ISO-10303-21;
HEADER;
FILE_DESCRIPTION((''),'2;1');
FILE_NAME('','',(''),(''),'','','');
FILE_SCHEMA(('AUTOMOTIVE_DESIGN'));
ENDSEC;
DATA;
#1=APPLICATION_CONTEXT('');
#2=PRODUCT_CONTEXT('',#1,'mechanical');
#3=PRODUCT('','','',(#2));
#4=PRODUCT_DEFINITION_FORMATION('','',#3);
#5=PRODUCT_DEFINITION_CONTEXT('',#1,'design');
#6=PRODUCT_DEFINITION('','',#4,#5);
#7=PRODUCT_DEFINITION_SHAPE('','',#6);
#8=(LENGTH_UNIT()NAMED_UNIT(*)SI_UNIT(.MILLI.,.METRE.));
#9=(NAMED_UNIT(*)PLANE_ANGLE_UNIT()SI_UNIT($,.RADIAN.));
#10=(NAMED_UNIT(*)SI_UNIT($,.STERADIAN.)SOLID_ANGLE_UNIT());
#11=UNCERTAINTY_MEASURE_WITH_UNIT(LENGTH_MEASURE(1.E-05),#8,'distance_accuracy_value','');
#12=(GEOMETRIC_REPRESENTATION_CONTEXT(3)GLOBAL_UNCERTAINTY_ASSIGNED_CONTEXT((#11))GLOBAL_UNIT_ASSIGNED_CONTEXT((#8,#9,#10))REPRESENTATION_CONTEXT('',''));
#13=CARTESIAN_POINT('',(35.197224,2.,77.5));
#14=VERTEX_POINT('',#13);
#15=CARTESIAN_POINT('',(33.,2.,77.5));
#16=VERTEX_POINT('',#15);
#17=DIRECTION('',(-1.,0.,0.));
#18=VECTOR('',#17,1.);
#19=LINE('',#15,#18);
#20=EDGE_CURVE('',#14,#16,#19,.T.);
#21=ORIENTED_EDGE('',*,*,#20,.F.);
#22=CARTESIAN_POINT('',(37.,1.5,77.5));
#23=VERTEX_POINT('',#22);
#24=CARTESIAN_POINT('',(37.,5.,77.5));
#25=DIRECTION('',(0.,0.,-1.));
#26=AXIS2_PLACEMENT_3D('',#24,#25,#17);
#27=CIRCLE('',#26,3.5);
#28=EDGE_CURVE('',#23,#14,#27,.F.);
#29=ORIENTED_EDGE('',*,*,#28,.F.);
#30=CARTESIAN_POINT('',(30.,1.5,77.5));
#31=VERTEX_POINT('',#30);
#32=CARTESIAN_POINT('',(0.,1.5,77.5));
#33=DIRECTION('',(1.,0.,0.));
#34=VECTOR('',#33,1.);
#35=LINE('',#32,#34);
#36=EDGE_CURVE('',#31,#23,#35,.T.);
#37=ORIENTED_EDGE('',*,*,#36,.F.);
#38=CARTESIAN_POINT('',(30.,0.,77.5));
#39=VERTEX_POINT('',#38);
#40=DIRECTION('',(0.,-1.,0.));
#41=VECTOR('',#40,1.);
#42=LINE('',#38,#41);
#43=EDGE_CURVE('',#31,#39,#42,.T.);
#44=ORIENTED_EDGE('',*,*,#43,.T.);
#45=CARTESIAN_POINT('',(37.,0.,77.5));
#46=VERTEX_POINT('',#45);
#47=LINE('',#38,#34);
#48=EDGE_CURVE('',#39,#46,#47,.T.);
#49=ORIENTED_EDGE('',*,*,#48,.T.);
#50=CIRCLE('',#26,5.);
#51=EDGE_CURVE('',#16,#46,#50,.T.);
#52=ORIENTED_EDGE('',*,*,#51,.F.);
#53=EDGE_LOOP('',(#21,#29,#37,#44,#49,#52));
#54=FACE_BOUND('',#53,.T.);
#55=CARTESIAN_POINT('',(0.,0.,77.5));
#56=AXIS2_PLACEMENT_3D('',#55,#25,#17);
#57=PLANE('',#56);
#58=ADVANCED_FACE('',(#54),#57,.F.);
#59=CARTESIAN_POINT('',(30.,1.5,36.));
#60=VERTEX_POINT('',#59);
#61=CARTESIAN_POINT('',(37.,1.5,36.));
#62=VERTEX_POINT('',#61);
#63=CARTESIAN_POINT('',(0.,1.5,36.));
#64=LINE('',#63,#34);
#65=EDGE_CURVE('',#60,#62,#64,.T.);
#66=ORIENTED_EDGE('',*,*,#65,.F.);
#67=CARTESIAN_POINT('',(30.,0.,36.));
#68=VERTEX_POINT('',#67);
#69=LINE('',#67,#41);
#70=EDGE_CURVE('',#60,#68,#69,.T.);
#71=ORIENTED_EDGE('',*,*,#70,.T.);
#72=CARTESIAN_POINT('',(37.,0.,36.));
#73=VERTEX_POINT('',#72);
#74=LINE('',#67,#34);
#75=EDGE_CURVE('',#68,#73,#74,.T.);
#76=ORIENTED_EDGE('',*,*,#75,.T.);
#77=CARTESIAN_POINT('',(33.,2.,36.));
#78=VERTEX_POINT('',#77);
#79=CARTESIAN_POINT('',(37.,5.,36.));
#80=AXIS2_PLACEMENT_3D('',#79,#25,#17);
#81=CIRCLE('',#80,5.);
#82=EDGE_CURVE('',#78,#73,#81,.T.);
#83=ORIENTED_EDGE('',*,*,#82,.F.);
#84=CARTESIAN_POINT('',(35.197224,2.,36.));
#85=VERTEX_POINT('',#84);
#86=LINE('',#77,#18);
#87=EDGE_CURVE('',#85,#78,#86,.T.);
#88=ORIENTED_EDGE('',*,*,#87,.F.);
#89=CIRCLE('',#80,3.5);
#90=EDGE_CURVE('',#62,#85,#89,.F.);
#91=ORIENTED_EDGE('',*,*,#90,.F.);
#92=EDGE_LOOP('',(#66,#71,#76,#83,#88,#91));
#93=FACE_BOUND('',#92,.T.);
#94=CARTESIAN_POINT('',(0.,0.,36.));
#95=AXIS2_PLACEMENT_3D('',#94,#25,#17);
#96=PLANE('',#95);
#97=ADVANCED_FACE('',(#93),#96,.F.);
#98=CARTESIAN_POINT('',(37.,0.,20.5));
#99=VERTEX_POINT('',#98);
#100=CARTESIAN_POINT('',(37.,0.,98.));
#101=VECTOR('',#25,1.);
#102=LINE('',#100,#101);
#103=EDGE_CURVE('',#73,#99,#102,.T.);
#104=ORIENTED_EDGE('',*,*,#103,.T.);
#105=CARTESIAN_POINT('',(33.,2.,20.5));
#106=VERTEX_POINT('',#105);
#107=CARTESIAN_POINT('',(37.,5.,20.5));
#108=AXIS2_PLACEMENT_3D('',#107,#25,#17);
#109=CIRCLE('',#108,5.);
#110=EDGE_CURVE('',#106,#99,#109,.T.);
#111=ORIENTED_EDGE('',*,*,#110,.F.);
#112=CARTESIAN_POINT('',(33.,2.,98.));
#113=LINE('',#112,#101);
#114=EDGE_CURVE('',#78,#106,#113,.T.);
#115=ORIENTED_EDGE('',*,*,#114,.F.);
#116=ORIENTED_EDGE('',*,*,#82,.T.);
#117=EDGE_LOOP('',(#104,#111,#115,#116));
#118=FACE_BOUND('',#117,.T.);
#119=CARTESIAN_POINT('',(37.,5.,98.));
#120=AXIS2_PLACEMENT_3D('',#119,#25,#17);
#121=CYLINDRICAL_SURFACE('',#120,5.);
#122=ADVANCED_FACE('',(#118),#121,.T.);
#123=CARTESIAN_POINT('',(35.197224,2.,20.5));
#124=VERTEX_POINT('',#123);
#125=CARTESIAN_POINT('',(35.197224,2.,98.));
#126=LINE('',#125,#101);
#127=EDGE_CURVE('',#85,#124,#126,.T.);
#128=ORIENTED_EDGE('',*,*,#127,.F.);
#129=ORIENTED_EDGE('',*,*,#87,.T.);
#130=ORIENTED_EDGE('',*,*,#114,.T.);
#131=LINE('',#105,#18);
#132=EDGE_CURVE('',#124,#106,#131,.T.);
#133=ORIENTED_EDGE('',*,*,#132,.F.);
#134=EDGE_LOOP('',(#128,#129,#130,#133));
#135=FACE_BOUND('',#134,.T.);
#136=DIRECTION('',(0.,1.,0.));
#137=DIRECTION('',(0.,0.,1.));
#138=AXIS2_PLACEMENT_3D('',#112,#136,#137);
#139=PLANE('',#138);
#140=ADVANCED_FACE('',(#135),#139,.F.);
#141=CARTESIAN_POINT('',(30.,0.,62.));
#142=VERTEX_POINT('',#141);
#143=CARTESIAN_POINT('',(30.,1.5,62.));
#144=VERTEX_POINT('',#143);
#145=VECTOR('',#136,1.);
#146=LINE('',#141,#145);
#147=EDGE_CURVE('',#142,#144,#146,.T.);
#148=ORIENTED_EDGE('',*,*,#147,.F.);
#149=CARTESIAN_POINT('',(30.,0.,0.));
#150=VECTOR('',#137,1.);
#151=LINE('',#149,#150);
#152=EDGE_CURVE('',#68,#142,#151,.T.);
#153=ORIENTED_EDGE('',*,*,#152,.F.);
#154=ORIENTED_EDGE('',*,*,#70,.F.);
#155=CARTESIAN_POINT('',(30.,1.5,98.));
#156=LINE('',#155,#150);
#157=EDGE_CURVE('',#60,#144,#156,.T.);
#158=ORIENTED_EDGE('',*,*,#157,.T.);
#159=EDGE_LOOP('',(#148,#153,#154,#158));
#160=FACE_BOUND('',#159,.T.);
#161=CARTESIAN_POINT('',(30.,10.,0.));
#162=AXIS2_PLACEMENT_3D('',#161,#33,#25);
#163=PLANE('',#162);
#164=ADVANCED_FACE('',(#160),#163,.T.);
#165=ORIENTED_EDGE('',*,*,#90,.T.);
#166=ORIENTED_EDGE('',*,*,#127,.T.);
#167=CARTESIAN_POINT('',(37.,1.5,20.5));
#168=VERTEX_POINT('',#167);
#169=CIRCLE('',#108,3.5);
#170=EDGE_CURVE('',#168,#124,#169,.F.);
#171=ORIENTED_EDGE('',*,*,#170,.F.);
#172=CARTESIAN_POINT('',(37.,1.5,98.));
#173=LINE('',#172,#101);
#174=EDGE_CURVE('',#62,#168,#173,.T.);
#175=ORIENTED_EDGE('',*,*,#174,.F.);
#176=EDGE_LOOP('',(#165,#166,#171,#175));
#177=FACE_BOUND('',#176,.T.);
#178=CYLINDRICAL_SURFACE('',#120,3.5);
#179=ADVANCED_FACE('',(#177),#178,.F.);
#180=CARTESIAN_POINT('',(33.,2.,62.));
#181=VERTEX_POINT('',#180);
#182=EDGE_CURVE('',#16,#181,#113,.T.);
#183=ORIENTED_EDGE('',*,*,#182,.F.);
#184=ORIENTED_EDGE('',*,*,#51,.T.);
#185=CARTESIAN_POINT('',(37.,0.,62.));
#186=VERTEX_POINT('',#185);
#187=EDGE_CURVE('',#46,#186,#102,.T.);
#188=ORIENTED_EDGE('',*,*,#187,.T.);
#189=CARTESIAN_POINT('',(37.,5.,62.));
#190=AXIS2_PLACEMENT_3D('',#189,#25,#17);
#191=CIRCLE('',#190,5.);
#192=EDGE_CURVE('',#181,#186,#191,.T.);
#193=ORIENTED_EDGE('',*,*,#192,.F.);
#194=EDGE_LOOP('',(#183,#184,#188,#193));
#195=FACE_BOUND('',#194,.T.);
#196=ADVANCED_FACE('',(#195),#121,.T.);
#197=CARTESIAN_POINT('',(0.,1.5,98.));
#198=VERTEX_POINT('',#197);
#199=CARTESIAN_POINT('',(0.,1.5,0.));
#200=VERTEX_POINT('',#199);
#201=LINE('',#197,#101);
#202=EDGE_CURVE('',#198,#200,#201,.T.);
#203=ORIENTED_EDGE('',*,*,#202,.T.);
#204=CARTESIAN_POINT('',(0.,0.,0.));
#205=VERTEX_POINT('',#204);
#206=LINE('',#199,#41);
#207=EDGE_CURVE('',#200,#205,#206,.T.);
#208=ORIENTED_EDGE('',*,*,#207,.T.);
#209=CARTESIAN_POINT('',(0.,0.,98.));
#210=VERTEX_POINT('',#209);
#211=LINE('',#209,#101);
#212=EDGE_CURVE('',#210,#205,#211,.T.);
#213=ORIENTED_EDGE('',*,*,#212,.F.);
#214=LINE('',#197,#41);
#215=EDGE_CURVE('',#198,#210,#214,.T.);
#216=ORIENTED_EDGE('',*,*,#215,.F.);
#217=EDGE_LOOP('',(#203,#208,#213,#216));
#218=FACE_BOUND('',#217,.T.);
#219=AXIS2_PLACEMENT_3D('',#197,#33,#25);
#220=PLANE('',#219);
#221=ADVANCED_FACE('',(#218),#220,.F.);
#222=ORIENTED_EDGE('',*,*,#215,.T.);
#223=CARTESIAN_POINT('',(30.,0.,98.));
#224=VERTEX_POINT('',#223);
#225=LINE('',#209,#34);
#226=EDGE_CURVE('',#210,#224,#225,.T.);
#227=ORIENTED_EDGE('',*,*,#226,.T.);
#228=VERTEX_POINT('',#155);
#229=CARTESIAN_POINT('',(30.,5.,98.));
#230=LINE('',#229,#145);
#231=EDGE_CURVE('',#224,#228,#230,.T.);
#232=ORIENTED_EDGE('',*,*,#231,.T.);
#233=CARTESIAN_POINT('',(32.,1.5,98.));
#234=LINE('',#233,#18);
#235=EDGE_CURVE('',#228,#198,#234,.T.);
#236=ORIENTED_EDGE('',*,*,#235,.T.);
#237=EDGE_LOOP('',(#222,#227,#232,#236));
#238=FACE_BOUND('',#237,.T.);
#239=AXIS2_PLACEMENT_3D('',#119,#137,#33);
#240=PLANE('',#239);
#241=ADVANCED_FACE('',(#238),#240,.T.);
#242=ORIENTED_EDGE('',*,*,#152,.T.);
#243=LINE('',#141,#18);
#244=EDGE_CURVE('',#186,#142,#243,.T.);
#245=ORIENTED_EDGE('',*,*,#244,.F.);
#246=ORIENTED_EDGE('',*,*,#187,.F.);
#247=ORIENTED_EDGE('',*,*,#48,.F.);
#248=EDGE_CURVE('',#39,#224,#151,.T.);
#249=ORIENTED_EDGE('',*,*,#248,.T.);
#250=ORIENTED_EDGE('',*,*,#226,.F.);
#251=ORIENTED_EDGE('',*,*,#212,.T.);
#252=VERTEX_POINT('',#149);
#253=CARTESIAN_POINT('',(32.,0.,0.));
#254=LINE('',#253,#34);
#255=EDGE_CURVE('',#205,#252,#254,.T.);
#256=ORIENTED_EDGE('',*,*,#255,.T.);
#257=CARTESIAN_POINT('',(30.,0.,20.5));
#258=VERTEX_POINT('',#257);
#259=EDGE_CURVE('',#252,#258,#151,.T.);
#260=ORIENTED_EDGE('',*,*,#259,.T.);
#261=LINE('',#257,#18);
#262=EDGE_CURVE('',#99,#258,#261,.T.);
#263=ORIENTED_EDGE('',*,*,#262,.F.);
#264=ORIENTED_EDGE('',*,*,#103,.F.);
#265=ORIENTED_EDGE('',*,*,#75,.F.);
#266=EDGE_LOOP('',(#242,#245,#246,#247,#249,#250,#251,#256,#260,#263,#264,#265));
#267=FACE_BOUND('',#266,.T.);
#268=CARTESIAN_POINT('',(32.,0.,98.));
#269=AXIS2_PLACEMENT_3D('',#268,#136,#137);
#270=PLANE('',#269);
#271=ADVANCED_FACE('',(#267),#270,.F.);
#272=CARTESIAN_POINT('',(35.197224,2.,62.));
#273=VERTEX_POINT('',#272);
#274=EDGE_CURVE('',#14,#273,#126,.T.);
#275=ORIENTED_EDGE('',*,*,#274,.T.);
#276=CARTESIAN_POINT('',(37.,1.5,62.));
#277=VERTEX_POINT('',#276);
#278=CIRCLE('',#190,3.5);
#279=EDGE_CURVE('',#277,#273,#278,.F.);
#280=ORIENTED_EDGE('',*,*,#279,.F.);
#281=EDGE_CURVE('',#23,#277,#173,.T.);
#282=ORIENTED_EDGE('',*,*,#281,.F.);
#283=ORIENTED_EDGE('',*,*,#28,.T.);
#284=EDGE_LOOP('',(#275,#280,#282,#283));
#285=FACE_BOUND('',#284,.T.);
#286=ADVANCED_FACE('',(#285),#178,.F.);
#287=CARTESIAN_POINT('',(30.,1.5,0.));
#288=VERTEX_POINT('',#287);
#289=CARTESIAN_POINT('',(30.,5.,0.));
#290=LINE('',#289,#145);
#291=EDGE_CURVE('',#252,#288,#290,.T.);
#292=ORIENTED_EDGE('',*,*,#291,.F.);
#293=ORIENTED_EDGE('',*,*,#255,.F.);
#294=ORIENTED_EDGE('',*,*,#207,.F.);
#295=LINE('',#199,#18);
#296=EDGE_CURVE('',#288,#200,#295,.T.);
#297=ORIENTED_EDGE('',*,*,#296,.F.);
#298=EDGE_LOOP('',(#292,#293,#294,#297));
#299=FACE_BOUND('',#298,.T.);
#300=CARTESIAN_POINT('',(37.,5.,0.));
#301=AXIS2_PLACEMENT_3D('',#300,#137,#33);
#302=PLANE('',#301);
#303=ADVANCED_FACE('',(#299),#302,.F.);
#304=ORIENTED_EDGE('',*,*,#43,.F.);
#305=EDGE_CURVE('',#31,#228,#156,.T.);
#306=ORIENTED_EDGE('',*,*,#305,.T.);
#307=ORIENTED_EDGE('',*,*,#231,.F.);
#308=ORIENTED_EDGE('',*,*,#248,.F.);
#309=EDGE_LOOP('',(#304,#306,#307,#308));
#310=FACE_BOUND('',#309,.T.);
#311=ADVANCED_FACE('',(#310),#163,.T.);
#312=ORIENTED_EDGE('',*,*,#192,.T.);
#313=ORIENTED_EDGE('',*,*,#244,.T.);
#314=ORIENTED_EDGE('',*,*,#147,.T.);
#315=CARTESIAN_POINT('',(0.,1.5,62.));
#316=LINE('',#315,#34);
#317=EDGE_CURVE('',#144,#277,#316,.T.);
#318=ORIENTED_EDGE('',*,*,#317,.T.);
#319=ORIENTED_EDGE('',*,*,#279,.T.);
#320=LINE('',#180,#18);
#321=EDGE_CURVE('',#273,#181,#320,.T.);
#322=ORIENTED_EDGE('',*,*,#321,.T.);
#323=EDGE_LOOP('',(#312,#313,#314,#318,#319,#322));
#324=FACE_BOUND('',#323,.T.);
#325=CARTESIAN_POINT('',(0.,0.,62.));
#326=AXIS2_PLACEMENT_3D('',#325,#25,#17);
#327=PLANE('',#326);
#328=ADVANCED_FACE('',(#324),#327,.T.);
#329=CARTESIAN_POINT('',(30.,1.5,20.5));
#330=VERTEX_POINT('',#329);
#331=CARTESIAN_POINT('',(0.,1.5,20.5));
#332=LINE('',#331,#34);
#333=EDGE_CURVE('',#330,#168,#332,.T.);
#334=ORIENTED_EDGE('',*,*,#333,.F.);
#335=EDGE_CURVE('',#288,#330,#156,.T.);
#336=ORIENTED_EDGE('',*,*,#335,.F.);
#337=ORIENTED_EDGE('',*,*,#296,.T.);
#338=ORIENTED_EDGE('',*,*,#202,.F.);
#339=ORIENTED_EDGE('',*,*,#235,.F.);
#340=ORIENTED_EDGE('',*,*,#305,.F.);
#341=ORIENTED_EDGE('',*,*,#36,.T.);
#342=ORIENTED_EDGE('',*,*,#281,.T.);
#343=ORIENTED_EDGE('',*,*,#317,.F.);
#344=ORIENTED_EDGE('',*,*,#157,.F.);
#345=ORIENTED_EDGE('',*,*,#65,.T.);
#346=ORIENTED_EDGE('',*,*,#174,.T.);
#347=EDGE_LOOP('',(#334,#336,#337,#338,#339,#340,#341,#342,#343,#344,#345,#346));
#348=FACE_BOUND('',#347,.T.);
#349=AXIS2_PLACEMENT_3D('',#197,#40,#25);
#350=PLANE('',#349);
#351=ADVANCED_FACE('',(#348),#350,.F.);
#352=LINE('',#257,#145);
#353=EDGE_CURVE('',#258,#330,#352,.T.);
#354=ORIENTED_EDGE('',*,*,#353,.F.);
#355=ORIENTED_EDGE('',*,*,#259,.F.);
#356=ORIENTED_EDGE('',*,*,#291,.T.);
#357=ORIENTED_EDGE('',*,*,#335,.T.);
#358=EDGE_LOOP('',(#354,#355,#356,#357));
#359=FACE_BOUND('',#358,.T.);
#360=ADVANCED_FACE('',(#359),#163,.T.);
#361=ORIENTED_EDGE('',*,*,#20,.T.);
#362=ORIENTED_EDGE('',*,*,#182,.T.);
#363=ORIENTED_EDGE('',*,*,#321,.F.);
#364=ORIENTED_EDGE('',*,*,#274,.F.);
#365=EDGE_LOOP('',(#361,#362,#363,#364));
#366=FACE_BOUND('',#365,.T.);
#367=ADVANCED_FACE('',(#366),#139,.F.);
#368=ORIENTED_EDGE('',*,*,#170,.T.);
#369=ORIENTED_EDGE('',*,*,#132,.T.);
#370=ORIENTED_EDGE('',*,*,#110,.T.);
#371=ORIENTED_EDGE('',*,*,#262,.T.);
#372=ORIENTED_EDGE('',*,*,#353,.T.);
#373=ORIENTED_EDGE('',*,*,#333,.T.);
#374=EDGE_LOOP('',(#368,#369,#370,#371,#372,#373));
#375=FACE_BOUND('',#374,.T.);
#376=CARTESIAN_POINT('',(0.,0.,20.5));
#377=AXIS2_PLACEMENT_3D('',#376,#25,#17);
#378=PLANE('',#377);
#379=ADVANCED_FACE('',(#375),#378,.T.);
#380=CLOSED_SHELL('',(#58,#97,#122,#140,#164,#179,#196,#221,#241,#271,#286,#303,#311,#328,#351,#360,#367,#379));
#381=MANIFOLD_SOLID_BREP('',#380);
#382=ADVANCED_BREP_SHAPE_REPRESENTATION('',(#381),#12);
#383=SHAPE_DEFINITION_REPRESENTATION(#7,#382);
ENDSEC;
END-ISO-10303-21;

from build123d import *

# Parameters (mm, degrees)
BOSS_EXTRUDE1_DEPTH = 98
SKETCH2_W           = 7
SKETCH2_H           = 16
SKETCH2_W_2         = 13.165812667
SKETCH2_H_2         = 15.5
CUT_EXTRUDE1_DEPTH  = 108.088748242
SKETCH4_W           = 12.746406598
SKETCH4_H           = 11.424724901
CUT_EXTRUDE3_DEPTH  = 5
SKETCH5_W           = 15.019607204
SKETCH5_H           = 11.204049301
CUT_EXTRUDE4_DEPTH  = 5
SKETCH6_W           = 13.795170111
SKETCH6_H           = 11.126039216
CUT_EXTRUDE5_DEPTH  = 5
SKETCH7_W           = 13.688711878
SKETCH7_H           = 12.195602477
CUT_EXTRUDE6_DEPTH  = 5


with BuildPart() as part:
    # Sketch1 → Boss-Extrude1 (new body)
    with BuildSketch(Plane.XY):
        with BuildLine():
            Line((0, 0), (30, 0))
            Line((30, 0), (32, 0))
            Line((32, 0), (37, 0))
            ThreePointArc((37, 0), (39.236067977, 9.472135955), (33, 2))
            Line((33, 2), (35.197224362, 2))
            ThreePointArc((35.197224362, 2), (37.935414347, 8.372684391), (37, 1.5))
            Line((37, 1.5), (32, 1.5))
            Line((32, 1.5), (30, 1.5))
            Line((30, 1.5), (0, 1.5))
            Line((0, 1.5), (0, 0))
        make_face()
    extrude(amount=BOSS_EXTRUDE1_DEPTH)

    # Sketch2 → Cut-Extrude1 (cut, through all)
    with BuildSketch(Plane.XZ):
        with Locations((33.5, 49)):
            Rectangle(SKETCH2_W, SKETCH2_H)
        with Locations((43.582906334, 49)):
            Rectangle(SKETCH2_W_2, SKETCH2_H)
        with Locations((33.5, 7.75)):
            Rectangle(SKETCH2_W, SKETCH2_H_2)
        with Locations((43.582906334, 7.75)):
            Rectangle(SKETCH2_W_2, SKETCH2_H_2)
        with Locations((33.5, 90.25)):
            Rectangle(SKETCH2_W, SKETCH2_H_2)
        with Locations((43.582906334, 90.25)):
            Rectangle(SKETCH2_W_2, SKETCH2_H_2)
    extrude(amount=-CUT_EXTRUDE1_DEPTH, mode=Mode.SUBTRACT)

    # Sketch4 → Cut-Extrude3 (cut)
    with BuildSketch(Plane.XY.offset(82.5)):
        with Locations((36.373203299, 5.712362451)):
            Rectangle(SKETCH4_W, SKETCH4_H)
    extrude(amount=-CUT_EXTRUDE3_DEPTH, mode=Mode.SUBTRACT)

    # Sketch5 → Cut-Extrude4 (cut)
    with BuildSketch(Plane(origin=(0, 0, 57), x_dir=(-1, 0, 0), z_dir=(0, 0, -1))):
        with Locations((-37.509803602, 5.602024651)):
            Rectangle(SKETCH5_W, SKETCH5_H)
    extrude(amount=-CUT_EXTRUDE4_DEPTH, mode=Mode.SUBTRACT)

    # Sketch6 → Cut-Extrude5 (cut)
    with BuildSketch(Plane.XY.offset(41)):
        with Locations((36.897585056, 5.563019608)):
            Rectangle(SKETCH6_W, SKETCH6_H)
    extrude(amount=-CUT_EXTRUDE5_DEPTH, mode=Mode.SUBTRACT)

    # Sketch7 → Cut-Extrude6 (cut)
    with BuildSketch(Plane(origin=(0, 0, 15.5), x_dir=(-1, 0, 0), z_dir=(0, 0, -1))):
        with Locations((-36.844355939, 6.097801239)):
            Rectangle(SKETCH7_W, SKETCH7_H)
    extrude(amount=-CUT_EXTRUDE6_DEPTH, mode=Mode.SUBTRACT)


solid = part.part
